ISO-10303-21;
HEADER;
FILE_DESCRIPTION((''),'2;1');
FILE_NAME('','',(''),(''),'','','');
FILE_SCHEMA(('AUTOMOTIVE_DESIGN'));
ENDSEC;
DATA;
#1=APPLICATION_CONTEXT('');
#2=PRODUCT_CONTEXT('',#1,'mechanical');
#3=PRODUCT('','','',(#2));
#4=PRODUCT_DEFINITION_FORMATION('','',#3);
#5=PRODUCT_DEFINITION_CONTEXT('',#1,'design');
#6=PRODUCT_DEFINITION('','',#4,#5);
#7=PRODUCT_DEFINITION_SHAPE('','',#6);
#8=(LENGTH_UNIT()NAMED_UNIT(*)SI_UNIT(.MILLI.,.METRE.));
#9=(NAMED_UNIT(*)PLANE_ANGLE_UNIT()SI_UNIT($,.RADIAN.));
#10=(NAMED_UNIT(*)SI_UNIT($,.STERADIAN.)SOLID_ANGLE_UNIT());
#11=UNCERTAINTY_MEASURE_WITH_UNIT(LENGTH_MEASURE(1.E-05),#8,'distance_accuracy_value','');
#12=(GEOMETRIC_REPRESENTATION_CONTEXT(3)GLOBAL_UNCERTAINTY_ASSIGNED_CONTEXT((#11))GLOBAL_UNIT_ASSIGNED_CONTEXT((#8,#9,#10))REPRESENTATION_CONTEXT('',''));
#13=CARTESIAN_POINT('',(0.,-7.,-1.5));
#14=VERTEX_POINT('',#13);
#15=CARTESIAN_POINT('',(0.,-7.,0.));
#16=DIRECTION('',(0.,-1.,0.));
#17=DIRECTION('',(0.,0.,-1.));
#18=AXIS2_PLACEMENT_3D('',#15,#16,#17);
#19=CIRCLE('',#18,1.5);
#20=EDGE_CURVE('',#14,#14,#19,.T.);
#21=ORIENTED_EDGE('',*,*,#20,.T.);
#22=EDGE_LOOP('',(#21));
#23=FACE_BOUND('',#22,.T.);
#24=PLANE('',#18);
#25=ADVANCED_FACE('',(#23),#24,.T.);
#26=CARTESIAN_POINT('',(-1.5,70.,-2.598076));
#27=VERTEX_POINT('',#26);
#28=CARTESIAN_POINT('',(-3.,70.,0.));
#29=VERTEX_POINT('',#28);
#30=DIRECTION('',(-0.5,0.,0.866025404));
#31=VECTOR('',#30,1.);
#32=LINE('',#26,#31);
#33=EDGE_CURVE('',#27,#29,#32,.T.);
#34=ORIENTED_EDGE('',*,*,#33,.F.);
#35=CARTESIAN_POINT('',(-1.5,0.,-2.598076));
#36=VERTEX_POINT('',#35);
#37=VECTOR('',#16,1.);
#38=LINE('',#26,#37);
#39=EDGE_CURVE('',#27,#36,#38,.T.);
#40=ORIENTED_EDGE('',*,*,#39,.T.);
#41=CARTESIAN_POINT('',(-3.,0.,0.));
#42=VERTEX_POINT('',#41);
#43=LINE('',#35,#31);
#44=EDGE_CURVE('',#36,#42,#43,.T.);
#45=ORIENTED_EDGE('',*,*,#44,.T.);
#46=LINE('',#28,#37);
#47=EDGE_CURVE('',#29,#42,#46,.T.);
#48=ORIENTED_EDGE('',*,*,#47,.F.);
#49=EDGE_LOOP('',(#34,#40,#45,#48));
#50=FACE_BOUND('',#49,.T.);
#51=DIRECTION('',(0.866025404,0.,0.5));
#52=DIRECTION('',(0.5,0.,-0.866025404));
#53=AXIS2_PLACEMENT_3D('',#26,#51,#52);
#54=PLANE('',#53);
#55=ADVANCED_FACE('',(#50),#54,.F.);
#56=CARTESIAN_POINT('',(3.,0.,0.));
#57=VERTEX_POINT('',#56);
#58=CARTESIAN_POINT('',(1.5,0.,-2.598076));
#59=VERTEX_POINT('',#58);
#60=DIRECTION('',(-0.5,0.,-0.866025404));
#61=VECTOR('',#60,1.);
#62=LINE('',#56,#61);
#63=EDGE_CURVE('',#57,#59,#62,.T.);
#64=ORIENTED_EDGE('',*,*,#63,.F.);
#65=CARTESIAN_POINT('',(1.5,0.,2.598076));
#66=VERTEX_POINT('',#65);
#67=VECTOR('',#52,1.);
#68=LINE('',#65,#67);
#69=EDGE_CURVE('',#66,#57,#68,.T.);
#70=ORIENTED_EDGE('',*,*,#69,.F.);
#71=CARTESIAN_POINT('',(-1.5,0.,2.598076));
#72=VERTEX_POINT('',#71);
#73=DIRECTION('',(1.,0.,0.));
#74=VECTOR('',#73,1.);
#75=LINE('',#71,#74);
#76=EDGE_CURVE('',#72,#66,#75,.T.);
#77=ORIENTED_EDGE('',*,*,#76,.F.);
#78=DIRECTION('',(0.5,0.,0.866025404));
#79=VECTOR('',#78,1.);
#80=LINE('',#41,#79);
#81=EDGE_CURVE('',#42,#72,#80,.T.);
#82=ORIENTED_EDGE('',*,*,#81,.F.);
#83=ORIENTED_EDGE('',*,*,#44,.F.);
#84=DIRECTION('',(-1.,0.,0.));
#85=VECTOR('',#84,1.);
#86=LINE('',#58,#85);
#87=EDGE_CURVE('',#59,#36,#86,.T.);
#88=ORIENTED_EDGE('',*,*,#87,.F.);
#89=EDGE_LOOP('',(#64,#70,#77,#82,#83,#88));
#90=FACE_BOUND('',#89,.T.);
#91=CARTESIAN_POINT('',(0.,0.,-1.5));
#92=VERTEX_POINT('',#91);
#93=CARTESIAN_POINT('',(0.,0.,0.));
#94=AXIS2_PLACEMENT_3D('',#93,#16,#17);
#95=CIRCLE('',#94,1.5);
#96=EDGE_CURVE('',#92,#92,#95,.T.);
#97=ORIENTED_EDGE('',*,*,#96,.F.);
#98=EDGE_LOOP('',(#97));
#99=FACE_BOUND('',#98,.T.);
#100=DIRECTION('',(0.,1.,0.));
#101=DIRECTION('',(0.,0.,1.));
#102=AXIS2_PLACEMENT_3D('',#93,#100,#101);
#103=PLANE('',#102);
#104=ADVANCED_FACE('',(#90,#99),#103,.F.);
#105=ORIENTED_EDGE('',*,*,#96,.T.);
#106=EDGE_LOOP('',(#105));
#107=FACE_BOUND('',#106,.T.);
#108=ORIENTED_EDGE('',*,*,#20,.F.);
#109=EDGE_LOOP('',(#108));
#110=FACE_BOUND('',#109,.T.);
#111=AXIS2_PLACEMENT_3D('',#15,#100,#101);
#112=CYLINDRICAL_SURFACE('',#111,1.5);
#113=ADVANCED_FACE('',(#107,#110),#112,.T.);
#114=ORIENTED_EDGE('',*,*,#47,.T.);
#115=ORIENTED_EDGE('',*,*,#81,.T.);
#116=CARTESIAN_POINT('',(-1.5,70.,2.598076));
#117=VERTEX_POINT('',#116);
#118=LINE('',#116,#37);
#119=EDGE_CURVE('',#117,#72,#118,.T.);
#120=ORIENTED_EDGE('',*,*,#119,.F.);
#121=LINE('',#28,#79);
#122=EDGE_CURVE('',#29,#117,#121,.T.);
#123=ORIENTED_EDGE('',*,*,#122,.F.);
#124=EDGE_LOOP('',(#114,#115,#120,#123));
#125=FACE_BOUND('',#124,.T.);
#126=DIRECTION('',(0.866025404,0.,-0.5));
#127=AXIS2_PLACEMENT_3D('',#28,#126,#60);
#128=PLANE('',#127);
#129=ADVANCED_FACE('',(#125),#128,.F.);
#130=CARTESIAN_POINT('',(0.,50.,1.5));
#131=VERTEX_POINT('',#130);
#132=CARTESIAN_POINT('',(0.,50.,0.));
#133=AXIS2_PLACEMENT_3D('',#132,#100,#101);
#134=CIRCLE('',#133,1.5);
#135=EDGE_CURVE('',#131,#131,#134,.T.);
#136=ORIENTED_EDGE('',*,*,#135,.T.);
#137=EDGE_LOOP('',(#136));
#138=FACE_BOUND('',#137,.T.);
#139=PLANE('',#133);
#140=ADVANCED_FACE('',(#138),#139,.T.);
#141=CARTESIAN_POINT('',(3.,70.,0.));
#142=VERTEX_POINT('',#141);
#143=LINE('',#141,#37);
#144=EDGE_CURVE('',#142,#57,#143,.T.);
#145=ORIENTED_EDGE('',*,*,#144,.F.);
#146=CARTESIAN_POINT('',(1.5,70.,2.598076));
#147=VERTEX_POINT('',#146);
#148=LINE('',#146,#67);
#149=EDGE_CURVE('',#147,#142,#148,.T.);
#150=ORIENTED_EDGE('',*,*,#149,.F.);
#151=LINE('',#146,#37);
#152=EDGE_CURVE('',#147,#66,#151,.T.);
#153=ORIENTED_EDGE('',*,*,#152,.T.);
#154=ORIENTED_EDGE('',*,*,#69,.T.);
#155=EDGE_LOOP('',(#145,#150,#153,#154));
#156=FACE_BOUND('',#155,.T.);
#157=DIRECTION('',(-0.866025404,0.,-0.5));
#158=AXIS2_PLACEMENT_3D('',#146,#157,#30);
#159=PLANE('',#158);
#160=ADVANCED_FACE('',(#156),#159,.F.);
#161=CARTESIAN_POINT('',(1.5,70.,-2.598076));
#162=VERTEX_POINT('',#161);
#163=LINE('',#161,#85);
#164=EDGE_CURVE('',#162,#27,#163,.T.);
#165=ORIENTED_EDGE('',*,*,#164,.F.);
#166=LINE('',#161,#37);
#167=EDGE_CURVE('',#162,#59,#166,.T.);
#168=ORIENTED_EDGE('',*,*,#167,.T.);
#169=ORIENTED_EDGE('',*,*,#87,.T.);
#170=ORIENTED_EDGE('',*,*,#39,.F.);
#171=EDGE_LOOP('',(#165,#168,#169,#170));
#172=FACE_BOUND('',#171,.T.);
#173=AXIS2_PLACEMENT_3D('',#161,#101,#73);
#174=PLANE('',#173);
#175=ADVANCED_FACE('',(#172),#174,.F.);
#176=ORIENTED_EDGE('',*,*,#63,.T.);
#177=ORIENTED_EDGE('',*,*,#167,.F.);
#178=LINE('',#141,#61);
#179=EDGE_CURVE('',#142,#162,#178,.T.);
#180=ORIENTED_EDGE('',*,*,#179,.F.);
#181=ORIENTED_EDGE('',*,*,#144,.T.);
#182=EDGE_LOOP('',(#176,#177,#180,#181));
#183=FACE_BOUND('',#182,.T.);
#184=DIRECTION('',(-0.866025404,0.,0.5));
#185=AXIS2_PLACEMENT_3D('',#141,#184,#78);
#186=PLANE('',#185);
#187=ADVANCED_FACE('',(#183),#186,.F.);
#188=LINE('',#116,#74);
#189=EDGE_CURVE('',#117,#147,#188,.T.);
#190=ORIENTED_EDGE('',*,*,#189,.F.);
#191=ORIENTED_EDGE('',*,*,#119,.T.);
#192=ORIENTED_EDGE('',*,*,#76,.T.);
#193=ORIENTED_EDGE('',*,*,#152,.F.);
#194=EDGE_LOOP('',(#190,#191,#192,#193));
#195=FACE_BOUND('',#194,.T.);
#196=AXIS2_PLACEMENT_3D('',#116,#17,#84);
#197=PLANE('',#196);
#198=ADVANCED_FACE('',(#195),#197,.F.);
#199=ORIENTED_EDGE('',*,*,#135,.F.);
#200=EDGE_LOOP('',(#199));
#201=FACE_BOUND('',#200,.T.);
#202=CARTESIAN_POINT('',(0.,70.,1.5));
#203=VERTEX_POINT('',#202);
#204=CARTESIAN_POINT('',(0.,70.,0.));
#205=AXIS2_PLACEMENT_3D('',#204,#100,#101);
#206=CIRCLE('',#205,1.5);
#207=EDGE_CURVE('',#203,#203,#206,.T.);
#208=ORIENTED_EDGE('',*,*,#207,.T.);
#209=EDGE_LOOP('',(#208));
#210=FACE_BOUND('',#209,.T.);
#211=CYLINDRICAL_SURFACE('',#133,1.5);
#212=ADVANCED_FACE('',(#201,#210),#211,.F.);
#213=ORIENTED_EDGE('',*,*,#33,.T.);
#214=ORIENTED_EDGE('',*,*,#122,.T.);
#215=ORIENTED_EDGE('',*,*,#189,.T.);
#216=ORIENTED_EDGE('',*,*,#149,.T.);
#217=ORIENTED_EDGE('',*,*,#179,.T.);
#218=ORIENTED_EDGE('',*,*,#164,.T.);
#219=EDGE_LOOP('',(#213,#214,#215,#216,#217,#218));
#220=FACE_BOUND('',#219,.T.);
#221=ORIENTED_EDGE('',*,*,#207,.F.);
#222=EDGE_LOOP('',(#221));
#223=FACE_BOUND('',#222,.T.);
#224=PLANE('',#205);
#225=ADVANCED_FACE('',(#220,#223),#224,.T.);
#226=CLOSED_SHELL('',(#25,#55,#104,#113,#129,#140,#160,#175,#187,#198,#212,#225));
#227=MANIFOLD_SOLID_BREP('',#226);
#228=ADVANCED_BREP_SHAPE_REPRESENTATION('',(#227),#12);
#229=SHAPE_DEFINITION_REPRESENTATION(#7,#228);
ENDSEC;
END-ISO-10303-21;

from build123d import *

# Parameters (mm, degrees)
BOSS_EXTRUDE1_DEPTH = 70
SKETCH2_R           = 1.5
CUT_EXTRUDE1_DEPTH  = 20
SKETCH3_R           = 1.5
BOSS_EXTRUDE2_DEPTH = 7


with BuildPart() as part:
    # Sketch1 → Boss-Extrude1 (new body)
    with BuildSketch(Plane(origin=(0, 0, 0), x_dir=(1, 0, 0), z_dir=(0, 1, 0))):
        Polygon((3, 0), (1.5, 2.598076211), (-1.5, 2.598076211), (-3, 0), (-1.5, -2.598076211), (1.5, -2.598076211), align=None)
    extrude(amount=BOSS_EXTRUDE1_DEPTH)

    # Sketch2 → Cut-Extrude1 (cut)
    with BuildSketch(Plane(origin=(0, 70, 0), x_dir=(1, 0, 0), z_dir=(0, 1, 0))):
        with Locations(Location((0, 0, 0), (0, 0, 270))):
            Circle(SKETCH2_R)
    extrude(amount=-CUT_EXTRUDE1_DEPTH, mode=Mode.SUBTRACT)

    # Sketch3 → Boss-Extrude2 (add)
    with BuildSketch(Plane(origin=(0, 0, 0), x_dir=(-1, 0, 0), z_dir=(0, -1, 0))):
        with Locations(Location((0, 0, 0), (0, 0, 270))):
            Circle(SKETCH3_R)
    extrude(amount=BOSS_EXTRUDE2_DEPTH)


solid = part.part
